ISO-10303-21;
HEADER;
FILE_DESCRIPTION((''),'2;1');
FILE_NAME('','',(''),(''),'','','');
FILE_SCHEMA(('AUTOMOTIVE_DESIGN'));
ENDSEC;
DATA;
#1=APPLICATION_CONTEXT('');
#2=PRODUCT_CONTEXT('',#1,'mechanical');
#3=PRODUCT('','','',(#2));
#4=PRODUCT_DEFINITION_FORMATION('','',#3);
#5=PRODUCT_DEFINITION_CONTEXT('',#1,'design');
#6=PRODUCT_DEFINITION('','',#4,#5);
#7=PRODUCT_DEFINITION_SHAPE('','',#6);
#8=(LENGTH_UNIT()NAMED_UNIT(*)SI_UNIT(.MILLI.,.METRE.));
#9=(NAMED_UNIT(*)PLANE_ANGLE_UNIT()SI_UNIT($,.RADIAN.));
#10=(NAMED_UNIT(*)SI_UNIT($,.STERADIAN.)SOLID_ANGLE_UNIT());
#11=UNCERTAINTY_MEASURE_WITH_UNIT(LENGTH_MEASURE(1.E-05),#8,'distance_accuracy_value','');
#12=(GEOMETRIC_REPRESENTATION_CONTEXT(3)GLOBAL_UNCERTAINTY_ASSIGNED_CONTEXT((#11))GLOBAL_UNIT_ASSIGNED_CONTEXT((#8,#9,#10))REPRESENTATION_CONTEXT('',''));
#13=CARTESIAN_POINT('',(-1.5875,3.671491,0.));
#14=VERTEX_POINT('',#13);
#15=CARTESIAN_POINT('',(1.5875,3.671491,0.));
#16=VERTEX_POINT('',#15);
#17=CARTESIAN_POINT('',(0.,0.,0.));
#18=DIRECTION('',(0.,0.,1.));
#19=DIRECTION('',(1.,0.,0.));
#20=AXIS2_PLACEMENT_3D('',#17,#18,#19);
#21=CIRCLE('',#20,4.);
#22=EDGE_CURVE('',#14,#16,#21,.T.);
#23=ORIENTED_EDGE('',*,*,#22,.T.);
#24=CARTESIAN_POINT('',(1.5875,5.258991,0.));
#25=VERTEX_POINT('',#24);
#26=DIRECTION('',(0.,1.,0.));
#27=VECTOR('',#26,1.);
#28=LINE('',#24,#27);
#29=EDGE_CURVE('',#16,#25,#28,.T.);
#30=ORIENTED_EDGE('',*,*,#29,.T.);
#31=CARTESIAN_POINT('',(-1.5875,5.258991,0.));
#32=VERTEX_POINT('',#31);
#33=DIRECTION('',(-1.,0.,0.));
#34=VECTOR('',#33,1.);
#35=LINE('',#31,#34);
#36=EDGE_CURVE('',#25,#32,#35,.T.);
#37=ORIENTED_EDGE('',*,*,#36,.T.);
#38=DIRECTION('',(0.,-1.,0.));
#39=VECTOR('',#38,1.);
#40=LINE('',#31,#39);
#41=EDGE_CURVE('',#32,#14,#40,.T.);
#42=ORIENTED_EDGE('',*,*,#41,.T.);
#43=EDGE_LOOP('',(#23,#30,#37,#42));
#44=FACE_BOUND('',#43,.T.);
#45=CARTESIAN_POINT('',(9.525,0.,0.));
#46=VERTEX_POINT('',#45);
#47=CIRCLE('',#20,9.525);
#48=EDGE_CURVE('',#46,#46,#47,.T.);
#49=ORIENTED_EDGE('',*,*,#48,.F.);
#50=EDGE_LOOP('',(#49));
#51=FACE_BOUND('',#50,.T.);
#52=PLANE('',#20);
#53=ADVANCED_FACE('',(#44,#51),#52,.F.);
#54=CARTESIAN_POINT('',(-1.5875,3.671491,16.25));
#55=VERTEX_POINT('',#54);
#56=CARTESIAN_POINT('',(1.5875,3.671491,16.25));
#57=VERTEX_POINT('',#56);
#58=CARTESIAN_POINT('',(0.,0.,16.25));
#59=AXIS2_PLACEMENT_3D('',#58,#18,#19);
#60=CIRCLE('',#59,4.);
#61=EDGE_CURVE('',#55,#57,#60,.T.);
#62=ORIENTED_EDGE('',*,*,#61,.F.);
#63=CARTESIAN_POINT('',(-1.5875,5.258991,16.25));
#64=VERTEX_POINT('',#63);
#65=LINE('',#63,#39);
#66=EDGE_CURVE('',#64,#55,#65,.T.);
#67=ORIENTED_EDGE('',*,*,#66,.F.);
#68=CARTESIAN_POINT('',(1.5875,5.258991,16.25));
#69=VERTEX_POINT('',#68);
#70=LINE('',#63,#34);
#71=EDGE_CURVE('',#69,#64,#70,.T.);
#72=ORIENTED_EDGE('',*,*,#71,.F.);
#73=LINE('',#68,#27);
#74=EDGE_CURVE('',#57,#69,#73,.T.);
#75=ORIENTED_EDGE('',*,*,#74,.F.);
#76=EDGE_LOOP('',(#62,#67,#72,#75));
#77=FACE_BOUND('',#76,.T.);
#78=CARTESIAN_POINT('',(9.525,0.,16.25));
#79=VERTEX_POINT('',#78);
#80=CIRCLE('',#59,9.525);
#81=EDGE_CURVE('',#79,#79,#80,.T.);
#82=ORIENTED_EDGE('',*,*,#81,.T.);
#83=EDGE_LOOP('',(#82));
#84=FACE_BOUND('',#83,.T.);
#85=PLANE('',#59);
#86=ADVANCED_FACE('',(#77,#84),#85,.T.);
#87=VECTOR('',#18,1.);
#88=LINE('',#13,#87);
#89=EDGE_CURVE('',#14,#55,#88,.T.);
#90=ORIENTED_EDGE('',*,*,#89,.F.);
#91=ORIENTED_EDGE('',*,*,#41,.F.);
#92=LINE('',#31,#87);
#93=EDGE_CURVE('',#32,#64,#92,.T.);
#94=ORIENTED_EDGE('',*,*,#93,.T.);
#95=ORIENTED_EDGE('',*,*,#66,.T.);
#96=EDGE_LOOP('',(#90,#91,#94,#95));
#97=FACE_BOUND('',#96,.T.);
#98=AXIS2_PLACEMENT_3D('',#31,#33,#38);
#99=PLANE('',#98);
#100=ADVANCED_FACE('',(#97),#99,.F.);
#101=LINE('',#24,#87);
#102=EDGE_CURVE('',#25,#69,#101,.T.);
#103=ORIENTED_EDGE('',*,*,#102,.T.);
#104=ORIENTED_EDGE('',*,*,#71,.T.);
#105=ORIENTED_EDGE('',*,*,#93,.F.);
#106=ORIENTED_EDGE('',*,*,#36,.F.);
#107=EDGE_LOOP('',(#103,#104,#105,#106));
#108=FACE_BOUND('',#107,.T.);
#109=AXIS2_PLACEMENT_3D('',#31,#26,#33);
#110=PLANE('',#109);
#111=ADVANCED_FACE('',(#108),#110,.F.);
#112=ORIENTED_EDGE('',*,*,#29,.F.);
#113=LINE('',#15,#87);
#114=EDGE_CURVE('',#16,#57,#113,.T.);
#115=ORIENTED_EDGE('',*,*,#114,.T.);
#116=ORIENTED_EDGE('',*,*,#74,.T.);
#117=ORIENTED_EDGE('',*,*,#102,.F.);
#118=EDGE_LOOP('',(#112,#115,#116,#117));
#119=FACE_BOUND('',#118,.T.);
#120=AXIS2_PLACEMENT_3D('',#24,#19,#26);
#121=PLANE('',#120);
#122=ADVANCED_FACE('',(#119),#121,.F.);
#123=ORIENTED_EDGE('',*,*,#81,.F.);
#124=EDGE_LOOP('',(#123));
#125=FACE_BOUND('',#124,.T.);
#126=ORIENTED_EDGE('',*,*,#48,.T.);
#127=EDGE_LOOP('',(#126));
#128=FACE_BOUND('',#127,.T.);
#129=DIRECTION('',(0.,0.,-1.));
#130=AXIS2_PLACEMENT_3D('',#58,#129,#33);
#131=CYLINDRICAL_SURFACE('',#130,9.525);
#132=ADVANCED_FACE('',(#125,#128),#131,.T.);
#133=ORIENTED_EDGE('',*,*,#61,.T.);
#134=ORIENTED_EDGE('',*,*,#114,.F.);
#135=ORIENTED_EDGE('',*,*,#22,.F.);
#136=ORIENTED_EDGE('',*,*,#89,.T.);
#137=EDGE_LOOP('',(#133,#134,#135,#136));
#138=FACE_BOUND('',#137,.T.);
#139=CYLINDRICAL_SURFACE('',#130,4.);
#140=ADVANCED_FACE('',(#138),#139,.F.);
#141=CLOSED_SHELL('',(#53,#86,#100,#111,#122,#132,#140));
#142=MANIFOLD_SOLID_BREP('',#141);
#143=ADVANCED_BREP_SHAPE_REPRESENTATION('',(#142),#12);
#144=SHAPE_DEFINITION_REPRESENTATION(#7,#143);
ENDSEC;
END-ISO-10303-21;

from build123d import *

# Parameters (mm, degrees)
SKETCH1_R           = 9.525
SKETCH1_R_2         = 4
BOSS_EXTRUDE1_DEPTH = 16.25000012
SKETCH2_W           = 3.175
SKETCH2_H           = 1.5875
CUT_EXTRUDE1_DEPTH  = 17.25000012


with BuildPart() as part:
    # Sketch1 → Boss-Extrude1 (new body)
    with BuildSketch(Plane.XY):
        Circle(SKETCH1_R)
        Circle(SKETCH1_R_2, mode=Mode.SUBTRACT)
    extrude(amount=BOSS_EXTRUDE1_DEPTH)

    # Sketch2 → Cut-Extrude1 (cut, through all)
    with BuildSketch(Plane.XY.offset(16.25000012)):
        with Locations((0, 4.465240671)):
            Rectangle(SKETCH2_W, SKETCH2_H)
    extrude(amount=-CUT_EXTRUDE1_DEPTH, mode=Mode.SUBTRACT)


solid = part.part
